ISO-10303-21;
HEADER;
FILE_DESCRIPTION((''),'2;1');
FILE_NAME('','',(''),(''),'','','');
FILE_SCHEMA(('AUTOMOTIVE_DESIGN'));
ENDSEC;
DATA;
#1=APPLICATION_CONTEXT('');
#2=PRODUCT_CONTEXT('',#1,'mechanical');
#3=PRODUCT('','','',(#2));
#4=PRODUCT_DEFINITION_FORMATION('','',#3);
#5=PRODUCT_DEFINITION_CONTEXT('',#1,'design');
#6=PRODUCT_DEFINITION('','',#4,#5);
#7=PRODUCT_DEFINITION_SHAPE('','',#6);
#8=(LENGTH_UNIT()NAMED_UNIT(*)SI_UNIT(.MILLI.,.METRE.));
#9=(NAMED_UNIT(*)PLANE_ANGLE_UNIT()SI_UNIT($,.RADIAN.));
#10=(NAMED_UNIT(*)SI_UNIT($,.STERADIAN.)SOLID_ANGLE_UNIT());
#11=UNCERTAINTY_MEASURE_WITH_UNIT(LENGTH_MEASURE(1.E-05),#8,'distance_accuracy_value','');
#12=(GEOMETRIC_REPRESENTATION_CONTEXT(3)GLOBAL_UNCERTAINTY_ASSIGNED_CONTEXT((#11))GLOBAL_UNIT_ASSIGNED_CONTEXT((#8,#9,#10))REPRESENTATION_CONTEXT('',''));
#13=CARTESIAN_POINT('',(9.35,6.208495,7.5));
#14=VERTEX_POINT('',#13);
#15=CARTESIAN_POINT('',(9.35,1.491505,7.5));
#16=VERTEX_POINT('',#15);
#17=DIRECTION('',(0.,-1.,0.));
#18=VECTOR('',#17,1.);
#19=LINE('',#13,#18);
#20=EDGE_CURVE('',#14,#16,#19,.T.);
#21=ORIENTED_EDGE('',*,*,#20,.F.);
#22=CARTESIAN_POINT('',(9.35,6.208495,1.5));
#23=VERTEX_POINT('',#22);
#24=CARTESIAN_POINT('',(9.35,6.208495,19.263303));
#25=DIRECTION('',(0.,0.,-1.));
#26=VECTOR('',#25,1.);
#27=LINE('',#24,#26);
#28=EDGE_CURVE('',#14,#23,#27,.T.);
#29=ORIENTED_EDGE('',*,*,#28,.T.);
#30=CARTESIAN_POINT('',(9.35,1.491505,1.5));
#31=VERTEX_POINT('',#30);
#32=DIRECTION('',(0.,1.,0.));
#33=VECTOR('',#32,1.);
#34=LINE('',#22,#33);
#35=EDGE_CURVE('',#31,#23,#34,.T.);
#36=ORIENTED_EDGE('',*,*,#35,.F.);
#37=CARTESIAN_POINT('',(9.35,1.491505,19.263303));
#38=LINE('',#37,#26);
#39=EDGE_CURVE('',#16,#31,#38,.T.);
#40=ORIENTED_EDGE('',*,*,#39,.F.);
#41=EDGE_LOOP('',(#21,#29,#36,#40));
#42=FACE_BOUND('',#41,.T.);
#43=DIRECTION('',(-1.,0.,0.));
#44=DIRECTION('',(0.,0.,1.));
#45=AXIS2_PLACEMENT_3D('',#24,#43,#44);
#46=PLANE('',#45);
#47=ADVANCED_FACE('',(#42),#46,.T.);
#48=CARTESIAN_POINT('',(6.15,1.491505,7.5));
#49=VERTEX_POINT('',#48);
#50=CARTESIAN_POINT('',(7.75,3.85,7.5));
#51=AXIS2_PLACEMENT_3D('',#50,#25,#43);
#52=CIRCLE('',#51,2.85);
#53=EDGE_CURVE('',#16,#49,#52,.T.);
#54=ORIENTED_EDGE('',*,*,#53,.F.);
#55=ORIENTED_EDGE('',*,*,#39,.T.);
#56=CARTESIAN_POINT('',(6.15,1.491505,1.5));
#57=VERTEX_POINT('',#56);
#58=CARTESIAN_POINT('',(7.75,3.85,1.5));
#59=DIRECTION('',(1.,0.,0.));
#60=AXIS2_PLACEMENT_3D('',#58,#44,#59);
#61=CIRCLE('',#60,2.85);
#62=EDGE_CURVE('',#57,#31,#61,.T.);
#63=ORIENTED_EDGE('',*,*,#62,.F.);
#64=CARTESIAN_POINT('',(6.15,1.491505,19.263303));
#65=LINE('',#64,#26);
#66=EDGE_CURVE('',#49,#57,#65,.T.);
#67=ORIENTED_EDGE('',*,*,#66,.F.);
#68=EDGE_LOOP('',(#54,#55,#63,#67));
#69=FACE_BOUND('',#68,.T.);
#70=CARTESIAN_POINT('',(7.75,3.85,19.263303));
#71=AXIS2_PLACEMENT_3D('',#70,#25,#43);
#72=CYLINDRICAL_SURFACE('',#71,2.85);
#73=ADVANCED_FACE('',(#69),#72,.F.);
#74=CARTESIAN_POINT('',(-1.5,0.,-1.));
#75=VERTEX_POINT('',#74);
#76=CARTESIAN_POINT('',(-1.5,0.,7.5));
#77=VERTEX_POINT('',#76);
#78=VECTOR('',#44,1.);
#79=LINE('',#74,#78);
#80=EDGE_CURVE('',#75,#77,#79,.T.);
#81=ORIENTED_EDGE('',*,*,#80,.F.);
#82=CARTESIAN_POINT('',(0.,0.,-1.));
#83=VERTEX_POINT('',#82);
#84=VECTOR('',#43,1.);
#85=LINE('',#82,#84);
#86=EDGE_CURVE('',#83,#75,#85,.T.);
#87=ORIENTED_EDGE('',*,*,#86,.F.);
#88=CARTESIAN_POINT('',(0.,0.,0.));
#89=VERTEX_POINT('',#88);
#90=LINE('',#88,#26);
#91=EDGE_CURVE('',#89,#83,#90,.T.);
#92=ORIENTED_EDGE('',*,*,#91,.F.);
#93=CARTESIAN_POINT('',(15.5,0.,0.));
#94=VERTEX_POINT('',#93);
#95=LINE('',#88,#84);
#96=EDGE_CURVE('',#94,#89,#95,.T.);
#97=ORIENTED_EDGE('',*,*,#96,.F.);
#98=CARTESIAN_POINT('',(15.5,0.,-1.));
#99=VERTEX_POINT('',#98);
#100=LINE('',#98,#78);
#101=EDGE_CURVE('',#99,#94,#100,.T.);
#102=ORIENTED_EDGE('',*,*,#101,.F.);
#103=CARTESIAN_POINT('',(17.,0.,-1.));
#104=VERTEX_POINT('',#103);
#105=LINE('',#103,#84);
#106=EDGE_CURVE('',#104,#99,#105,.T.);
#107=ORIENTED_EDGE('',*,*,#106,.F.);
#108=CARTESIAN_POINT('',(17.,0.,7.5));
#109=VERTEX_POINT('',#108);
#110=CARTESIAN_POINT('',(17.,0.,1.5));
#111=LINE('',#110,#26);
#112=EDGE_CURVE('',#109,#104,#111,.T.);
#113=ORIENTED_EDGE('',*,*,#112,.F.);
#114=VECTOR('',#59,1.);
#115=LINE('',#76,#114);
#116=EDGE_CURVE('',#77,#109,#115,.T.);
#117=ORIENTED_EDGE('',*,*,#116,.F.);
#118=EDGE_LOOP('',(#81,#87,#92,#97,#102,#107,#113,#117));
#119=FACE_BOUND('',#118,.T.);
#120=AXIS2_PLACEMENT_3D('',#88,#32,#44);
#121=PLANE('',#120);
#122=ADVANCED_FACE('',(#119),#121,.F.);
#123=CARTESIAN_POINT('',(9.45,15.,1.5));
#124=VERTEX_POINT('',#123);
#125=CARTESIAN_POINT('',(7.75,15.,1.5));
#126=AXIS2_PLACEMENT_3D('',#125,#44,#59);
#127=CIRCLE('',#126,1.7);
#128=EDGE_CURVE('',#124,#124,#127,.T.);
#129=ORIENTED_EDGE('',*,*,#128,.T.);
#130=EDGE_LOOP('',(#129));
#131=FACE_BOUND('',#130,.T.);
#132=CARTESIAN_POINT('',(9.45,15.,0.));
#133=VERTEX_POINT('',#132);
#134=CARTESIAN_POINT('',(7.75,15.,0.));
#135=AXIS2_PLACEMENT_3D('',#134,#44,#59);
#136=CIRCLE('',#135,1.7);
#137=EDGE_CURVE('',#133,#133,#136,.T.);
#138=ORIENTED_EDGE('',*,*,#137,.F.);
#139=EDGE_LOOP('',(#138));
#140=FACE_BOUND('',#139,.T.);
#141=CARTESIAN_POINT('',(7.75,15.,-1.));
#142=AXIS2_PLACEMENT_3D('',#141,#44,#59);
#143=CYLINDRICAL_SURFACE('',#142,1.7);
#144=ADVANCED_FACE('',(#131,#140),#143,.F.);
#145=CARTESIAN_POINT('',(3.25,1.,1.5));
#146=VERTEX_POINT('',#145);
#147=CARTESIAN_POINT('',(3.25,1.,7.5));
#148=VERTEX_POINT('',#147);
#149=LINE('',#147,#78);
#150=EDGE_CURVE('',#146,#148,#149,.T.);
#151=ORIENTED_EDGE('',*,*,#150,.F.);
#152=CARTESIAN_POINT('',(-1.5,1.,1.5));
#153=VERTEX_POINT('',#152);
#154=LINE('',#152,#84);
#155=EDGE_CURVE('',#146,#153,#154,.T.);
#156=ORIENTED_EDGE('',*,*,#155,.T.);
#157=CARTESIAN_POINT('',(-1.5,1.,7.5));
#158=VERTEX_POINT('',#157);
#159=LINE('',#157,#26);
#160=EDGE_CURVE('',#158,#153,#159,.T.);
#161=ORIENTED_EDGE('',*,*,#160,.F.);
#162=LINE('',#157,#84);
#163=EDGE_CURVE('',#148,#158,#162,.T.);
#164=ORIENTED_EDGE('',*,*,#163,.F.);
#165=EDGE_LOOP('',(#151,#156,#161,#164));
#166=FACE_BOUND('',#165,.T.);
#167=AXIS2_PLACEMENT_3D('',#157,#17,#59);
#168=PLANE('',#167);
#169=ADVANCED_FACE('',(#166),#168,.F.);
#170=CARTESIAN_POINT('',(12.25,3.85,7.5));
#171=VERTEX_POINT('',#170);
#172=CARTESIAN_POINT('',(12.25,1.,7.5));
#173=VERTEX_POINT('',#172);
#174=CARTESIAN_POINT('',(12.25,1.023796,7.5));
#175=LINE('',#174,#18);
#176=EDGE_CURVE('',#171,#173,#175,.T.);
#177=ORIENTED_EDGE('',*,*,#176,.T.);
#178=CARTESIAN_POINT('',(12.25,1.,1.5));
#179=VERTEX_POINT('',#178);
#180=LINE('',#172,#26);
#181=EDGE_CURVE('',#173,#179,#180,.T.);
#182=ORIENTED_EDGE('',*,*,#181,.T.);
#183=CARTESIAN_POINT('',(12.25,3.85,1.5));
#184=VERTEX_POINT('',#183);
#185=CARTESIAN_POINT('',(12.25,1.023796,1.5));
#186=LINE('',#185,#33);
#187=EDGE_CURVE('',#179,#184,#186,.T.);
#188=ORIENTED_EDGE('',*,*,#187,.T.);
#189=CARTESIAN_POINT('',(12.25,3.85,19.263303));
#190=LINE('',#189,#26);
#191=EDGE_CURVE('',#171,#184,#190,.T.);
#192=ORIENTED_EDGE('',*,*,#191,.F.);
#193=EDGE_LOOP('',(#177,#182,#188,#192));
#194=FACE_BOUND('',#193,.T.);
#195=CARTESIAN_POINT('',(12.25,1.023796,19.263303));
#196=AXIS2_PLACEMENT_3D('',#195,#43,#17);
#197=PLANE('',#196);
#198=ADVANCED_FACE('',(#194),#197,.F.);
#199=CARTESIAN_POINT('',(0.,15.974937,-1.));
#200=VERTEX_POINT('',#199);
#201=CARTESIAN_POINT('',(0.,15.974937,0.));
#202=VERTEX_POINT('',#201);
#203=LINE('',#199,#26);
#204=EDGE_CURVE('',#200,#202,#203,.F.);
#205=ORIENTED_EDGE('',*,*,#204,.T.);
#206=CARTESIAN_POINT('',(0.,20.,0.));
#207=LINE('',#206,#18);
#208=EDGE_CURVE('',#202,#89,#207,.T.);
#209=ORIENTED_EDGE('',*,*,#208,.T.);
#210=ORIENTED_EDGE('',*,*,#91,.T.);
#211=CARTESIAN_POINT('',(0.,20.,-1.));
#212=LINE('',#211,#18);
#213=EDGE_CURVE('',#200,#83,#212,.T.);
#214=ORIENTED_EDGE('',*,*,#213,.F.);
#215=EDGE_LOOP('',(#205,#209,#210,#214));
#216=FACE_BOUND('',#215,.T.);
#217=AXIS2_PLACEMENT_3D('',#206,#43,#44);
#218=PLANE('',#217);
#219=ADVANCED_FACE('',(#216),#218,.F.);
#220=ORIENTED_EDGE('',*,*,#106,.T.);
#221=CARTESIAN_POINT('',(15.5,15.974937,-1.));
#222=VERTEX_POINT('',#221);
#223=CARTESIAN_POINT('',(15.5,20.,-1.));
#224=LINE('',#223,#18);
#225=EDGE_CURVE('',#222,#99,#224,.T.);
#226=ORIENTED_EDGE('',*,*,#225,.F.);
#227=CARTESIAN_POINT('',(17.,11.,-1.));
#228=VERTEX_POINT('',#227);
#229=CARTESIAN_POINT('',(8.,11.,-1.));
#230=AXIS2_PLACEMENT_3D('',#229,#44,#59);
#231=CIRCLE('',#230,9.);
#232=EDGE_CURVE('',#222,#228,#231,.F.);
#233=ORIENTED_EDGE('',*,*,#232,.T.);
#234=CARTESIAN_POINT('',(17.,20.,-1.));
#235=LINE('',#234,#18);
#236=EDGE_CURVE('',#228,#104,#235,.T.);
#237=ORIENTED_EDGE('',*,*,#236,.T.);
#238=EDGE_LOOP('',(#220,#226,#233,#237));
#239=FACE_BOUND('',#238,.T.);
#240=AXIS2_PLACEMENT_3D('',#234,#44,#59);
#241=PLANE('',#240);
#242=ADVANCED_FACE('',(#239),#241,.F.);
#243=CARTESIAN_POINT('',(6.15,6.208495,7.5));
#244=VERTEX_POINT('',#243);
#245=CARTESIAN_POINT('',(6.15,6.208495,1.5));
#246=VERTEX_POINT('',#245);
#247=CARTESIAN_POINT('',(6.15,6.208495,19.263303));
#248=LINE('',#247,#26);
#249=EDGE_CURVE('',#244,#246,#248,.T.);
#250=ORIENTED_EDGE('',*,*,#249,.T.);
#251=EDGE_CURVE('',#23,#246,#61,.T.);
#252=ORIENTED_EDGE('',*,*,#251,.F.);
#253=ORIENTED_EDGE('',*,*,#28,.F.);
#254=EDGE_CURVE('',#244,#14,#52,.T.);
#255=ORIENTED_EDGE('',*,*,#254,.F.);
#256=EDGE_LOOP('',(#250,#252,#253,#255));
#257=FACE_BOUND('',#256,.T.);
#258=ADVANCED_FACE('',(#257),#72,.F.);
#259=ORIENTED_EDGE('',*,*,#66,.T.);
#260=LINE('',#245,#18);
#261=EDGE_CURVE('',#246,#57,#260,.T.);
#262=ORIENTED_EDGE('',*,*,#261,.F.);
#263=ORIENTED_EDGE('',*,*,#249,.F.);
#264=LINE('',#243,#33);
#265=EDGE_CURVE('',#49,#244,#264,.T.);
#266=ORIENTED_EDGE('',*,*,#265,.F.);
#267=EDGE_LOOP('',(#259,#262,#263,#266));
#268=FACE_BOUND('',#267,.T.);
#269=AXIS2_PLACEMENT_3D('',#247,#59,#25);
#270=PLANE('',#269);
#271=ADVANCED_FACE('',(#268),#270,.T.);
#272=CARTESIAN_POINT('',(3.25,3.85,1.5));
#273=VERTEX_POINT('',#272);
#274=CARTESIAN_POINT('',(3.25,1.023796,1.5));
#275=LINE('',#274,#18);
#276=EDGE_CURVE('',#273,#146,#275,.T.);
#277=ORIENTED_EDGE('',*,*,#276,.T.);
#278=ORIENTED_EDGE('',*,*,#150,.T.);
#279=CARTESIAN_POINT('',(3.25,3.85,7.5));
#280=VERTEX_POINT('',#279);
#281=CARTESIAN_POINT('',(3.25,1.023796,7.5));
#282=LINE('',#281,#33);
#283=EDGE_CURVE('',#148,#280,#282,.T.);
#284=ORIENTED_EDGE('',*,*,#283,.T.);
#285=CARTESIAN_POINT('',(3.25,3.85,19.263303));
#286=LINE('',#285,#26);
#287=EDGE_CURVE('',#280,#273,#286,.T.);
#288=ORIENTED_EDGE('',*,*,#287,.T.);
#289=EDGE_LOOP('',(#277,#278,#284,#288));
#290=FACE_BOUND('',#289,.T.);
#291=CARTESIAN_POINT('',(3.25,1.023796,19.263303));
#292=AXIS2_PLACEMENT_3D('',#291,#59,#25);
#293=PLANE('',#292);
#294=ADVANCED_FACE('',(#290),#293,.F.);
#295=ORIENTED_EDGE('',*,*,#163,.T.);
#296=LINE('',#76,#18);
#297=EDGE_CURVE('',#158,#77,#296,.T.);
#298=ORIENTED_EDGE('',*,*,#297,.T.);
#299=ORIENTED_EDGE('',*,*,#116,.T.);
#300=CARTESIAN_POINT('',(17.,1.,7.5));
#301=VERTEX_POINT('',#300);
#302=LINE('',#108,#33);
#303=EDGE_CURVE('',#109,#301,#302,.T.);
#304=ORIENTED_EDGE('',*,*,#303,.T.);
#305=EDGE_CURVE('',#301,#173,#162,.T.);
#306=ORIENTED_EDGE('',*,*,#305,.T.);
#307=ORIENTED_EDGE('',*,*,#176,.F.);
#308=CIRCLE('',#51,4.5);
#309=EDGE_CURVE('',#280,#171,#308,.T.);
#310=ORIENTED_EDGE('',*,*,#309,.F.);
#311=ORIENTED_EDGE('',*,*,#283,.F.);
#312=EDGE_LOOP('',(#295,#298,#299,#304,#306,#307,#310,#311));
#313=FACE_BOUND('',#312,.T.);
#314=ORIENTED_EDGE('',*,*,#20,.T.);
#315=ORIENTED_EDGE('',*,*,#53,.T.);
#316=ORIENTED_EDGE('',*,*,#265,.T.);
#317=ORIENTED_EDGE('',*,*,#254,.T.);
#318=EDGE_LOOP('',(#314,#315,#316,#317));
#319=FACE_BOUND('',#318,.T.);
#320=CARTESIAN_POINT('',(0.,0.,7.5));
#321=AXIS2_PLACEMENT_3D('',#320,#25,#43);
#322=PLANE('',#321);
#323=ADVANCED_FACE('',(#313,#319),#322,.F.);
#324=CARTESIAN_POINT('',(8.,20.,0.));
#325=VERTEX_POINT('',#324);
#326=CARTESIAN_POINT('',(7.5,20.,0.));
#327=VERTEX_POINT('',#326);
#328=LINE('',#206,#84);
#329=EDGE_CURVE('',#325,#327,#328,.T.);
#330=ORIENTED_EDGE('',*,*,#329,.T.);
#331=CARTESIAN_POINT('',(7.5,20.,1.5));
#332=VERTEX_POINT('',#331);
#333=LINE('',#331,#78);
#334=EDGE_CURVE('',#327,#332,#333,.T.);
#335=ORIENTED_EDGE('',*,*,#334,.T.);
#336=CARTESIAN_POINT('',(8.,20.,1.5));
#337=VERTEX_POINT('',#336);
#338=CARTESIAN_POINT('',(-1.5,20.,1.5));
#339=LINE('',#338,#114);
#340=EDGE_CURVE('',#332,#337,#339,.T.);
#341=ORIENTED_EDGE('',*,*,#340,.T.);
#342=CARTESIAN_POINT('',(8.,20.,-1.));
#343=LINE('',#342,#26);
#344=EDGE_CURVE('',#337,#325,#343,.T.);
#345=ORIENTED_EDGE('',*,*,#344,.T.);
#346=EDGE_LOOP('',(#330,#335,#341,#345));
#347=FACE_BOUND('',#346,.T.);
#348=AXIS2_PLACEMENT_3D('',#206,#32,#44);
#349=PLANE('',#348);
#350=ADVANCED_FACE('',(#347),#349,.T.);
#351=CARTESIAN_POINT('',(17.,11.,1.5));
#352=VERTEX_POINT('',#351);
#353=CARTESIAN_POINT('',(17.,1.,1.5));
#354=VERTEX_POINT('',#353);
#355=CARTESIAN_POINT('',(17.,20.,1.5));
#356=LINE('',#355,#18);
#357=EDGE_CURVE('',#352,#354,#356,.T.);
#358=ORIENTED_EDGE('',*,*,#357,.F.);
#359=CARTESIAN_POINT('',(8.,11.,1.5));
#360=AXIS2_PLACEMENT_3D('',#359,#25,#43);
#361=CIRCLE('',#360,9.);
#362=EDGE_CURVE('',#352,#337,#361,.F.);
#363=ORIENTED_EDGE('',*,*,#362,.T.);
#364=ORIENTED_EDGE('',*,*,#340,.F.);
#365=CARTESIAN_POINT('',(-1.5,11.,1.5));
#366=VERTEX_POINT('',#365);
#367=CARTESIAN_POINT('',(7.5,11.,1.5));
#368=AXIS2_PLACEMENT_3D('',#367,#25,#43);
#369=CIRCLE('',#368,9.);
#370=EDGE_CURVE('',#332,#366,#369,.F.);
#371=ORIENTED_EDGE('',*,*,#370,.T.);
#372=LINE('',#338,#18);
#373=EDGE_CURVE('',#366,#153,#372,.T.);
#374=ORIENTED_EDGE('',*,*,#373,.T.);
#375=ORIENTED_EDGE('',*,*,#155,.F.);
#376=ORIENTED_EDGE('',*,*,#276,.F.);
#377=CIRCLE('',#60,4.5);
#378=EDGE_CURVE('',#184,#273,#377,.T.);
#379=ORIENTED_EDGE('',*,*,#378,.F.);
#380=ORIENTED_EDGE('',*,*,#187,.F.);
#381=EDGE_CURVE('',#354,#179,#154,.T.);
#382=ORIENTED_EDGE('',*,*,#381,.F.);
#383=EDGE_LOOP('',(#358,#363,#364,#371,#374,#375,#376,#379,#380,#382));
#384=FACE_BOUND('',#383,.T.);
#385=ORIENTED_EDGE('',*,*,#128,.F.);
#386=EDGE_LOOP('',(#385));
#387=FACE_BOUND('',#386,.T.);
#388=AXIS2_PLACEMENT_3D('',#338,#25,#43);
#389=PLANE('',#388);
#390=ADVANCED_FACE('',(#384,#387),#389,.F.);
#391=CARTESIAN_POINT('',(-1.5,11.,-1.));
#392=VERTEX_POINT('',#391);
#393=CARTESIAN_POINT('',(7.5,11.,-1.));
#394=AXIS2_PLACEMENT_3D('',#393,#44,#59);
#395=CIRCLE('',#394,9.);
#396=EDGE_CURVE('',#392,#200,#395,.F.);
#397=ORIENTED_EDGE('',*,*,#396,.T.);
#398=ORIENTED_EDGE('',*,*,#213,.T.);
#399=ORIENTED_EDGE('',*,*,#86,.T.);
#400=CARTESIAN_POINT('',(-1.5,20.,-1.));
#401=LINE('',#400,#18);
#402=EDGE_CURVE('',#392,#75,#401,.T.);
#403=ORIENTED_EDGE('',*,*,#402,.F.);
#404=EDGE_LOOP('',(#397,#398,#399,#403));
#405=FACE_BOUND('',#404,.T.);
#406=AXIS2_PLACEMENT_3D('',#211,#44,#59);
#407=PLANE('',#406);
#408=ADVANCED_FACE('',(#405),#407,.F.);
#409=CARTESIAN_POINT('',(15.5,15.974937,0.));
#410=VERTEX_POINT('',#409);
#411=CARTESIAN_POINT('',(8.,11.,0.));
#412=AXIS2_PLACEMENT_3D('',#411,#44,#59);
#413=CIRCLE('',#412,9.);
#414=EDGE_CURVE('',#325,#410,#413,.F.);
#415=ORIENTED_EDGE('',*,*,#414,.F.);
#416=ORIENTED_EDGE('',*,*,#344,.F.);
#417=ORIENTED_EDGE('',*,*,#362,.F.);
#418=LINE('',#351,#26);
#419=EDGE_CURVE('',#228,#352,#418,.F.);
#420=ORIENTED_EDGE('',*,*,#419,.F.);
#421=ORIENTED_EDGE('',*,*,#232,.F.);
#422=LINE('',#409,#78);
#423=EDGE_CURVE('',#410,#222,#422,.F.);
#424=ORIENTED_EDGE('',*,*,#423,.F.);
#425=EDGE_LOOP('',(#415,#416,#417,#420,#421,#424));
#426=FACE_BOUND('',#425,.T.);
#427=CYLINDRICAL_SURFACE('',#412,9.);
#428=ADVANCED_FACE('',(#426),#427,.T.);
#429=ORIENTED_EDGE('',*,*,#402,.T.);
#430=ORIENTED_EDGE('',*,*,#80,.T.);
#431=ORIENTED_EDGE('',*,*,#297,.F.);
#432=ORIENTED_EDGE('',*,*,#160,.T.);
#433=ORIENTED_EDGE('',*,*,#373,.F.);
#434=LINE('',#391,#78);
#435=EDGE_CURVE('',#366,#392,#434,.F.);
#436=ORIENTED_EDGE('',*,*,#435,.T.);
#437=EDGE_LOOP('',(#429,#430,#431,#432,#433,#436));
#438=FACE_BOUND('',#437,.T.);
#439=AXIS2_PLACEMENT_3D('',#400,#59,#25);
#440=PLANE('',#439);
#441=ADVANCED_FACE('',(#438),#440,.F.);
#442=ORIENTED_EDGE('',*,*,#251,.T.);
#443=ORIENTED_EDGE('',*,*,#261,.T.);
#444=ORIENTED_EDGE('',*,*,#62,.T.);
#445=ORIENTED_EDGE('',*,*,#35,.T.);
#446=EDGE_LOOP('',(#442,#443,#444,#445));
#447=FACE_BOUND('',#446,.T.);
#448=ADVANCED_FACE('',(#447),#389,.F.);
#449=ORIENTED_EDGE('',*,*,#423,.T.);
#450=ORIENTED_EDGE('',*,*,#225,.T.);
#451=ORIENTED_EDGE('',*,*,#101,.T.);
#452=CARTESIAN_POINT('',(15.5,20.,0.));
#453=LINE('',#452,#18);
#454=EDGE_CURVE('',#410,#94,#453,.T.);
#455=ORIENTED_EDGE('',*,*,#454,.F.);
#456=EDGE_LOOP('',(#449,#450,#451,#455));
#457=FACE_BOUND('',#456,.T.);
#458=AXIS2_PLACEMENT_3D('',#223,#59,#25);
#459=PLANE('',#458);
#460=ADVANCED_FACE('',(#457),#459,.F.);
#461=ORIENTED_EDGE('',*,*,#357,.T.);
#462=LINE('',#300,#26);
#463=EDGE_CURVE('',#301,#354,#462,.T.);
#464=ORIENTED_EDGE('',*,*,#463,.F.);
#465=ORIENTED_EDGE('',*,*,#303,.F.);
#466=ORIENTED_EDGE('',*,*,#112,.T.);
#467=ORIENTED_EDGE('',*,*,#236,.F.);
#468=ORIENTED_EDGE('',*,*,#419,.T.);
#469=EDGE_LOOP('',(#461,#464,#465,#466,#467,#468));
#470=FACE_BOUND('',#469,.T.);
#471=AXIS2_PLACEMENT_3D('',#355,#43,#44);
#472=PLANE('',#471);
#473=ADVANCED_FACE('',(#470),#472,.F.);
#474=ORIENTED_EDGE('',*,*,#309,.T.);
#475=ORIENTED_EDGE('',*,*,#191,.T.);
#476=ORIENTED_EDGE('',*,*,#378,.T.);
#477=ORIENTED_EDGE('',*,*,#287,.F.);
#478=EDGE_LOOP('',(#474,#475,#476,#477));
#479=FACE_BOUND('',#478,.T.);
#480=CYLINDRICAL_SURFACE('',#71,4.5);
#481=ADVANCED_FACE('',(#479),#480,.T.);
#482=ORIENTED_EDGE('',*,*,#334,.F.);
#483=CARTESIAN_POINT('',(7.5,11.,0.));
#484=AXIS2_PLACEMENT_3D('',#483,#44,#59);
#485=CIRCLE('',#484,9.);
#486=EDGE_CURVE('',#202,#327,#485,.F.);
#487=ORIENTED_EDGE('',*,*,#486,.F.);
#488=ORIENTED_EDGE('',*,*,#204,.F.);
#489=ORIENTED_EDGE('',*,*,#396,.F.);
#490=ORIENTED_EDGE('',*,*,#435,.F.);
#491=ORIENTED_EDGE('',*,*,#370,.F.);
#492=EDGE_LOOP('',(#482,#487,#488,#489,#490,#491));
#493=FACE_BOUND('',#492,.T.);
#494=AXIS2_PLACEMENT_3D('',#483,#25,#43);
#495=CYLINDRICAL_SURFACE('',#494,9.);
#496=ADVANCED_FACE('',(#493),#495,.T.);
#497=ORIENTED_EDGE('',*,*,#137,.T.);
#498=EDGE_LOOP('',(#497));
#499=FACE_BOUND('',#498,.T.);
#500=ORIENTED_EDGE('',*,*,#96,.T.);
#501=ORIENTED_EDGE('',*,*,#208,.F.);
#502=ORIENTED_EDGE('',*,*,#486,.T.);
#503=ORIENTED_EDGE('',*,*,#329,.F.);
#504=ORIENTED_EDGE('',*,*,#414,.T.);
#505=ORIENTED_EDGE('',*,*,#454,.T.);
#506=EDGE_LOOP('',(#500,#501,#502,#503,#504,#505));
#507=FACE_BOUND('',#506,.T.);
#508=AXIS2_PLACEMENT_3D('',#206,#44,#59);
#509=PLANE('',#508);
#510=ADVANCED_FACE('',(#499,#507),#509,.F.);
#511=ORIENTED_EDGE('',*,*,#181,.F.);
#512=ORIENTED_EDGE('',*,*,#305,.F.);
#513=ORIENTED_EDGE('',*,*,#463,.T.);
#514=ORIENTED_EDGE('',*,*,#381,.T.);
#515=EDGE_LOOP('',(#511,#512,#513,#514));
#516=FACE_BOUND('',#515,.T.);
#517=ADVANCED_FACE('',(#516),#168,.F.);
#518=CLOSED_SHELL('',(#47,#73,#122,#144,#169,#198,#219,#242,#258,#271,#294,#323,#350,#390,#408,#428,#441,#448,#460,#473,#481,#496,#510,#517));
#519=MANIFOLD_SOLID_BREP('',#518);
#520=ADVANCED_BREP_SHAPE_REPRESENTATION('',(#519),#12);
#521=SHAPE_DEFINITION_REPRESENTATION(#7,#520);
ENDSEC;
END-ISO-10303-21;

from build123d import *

# Parameters (mm, degrees)
EXTRUDE_1_DEPTH     = 20
FILLET_1_R          = 9
SKETCH_2_R          = 1.7
CUT_EXTRUDE_1_DEPTH = 3.5
SKETCH_3_W          = 18.5
SKETCH_3_H          = 1
EXTRUDE_2_DEPTH     = 6
EXTRUDE_3_DEPTH     = 6


with BuildPart() as part:
    # Эскиз1 → Бобышка-Вытянуть1 (new body)
    with BuildSketch(Plane(origin=(0, 0, 0), x_dir=(1, 0, 0), z_dir=(0, 1, 0))):
        Polygon((0, 0), (15.5, 0), (15.5, 1), (17, 1), (17, -1.5), (-1.5, -1.5), (-1.5, 1), (0, 1), align=None)
    extrude(amount=EXTRUDE_1_DEPTH)

    # Скругление1
    fillet_1_edges = [part.edges().sort_by_distance(p)[0] for p in [
        (-1.5, 20, 0.25),
        (17, 20, 0.25),
    ]]
    fillet(fillet_1_edges, radius=FILLET_1_R)

    # Эскиз2 → Вырез-Вытянуть1 (cut, through all)
    with BuildSketch(Plane.XY.offset(1.5)):
        with Locations((7.75, 15)):
            Circle(SKETCH_2_R)
    extrude(amount=-CUT_EXTRUDE_1_DEPTH, mode=Mode.SUBTRACT)

    # Эскиз3 → Бобышка-Вытянуть2 (add)
    with BuildSketch(Plane.XY.offset(1.5)):
        with Locations((7.75, 0.5)):
            Rectangle(SKETCH_3_W, SKETCH_3_H)
    extrude(amount=EXTRUDE_2_DEPTH)

    # Эскиз4 → Бобышка-Вытянуть3 (add)
    with BuildSketch(Plane.XY.offset(1.5)):
        with BuildLine():
            Line((3.25, 3.85), (3.25, 1.023796375))
            Line((3.25, 1.023796375), (3.25, 0.775352043))
            Line((3.25, 0.775352043), (12.25, 0.775352043))
            Line((12.25, 0.775352043), (12.25, 1.023796375))
            Line((12.25, 1.023796375), (12.25, 3.85))
            ThreePointArc((12.25, 3.85), (7.75, 8.35), (3.25, 3.85))
        make_face()
        with BuildLine():
            Line((6.15, 6.208495283), (6.15, 1.491504717))
            ThreePointArc((6.15, 1.491504717), (7.75, 1), (9.35, 1.491504717))
            Line((9.35, 1.491504717), (9.35, 6.208495283))
            ThreePointArc((9.35, 6.208495283), (7.75, 6.7), (6.15, 6.208495283))
        make_face(mode=Mode.SUBTRACT)
    extrude(amount=EXTRUDE_3_DEPTH)


solid = part.part
